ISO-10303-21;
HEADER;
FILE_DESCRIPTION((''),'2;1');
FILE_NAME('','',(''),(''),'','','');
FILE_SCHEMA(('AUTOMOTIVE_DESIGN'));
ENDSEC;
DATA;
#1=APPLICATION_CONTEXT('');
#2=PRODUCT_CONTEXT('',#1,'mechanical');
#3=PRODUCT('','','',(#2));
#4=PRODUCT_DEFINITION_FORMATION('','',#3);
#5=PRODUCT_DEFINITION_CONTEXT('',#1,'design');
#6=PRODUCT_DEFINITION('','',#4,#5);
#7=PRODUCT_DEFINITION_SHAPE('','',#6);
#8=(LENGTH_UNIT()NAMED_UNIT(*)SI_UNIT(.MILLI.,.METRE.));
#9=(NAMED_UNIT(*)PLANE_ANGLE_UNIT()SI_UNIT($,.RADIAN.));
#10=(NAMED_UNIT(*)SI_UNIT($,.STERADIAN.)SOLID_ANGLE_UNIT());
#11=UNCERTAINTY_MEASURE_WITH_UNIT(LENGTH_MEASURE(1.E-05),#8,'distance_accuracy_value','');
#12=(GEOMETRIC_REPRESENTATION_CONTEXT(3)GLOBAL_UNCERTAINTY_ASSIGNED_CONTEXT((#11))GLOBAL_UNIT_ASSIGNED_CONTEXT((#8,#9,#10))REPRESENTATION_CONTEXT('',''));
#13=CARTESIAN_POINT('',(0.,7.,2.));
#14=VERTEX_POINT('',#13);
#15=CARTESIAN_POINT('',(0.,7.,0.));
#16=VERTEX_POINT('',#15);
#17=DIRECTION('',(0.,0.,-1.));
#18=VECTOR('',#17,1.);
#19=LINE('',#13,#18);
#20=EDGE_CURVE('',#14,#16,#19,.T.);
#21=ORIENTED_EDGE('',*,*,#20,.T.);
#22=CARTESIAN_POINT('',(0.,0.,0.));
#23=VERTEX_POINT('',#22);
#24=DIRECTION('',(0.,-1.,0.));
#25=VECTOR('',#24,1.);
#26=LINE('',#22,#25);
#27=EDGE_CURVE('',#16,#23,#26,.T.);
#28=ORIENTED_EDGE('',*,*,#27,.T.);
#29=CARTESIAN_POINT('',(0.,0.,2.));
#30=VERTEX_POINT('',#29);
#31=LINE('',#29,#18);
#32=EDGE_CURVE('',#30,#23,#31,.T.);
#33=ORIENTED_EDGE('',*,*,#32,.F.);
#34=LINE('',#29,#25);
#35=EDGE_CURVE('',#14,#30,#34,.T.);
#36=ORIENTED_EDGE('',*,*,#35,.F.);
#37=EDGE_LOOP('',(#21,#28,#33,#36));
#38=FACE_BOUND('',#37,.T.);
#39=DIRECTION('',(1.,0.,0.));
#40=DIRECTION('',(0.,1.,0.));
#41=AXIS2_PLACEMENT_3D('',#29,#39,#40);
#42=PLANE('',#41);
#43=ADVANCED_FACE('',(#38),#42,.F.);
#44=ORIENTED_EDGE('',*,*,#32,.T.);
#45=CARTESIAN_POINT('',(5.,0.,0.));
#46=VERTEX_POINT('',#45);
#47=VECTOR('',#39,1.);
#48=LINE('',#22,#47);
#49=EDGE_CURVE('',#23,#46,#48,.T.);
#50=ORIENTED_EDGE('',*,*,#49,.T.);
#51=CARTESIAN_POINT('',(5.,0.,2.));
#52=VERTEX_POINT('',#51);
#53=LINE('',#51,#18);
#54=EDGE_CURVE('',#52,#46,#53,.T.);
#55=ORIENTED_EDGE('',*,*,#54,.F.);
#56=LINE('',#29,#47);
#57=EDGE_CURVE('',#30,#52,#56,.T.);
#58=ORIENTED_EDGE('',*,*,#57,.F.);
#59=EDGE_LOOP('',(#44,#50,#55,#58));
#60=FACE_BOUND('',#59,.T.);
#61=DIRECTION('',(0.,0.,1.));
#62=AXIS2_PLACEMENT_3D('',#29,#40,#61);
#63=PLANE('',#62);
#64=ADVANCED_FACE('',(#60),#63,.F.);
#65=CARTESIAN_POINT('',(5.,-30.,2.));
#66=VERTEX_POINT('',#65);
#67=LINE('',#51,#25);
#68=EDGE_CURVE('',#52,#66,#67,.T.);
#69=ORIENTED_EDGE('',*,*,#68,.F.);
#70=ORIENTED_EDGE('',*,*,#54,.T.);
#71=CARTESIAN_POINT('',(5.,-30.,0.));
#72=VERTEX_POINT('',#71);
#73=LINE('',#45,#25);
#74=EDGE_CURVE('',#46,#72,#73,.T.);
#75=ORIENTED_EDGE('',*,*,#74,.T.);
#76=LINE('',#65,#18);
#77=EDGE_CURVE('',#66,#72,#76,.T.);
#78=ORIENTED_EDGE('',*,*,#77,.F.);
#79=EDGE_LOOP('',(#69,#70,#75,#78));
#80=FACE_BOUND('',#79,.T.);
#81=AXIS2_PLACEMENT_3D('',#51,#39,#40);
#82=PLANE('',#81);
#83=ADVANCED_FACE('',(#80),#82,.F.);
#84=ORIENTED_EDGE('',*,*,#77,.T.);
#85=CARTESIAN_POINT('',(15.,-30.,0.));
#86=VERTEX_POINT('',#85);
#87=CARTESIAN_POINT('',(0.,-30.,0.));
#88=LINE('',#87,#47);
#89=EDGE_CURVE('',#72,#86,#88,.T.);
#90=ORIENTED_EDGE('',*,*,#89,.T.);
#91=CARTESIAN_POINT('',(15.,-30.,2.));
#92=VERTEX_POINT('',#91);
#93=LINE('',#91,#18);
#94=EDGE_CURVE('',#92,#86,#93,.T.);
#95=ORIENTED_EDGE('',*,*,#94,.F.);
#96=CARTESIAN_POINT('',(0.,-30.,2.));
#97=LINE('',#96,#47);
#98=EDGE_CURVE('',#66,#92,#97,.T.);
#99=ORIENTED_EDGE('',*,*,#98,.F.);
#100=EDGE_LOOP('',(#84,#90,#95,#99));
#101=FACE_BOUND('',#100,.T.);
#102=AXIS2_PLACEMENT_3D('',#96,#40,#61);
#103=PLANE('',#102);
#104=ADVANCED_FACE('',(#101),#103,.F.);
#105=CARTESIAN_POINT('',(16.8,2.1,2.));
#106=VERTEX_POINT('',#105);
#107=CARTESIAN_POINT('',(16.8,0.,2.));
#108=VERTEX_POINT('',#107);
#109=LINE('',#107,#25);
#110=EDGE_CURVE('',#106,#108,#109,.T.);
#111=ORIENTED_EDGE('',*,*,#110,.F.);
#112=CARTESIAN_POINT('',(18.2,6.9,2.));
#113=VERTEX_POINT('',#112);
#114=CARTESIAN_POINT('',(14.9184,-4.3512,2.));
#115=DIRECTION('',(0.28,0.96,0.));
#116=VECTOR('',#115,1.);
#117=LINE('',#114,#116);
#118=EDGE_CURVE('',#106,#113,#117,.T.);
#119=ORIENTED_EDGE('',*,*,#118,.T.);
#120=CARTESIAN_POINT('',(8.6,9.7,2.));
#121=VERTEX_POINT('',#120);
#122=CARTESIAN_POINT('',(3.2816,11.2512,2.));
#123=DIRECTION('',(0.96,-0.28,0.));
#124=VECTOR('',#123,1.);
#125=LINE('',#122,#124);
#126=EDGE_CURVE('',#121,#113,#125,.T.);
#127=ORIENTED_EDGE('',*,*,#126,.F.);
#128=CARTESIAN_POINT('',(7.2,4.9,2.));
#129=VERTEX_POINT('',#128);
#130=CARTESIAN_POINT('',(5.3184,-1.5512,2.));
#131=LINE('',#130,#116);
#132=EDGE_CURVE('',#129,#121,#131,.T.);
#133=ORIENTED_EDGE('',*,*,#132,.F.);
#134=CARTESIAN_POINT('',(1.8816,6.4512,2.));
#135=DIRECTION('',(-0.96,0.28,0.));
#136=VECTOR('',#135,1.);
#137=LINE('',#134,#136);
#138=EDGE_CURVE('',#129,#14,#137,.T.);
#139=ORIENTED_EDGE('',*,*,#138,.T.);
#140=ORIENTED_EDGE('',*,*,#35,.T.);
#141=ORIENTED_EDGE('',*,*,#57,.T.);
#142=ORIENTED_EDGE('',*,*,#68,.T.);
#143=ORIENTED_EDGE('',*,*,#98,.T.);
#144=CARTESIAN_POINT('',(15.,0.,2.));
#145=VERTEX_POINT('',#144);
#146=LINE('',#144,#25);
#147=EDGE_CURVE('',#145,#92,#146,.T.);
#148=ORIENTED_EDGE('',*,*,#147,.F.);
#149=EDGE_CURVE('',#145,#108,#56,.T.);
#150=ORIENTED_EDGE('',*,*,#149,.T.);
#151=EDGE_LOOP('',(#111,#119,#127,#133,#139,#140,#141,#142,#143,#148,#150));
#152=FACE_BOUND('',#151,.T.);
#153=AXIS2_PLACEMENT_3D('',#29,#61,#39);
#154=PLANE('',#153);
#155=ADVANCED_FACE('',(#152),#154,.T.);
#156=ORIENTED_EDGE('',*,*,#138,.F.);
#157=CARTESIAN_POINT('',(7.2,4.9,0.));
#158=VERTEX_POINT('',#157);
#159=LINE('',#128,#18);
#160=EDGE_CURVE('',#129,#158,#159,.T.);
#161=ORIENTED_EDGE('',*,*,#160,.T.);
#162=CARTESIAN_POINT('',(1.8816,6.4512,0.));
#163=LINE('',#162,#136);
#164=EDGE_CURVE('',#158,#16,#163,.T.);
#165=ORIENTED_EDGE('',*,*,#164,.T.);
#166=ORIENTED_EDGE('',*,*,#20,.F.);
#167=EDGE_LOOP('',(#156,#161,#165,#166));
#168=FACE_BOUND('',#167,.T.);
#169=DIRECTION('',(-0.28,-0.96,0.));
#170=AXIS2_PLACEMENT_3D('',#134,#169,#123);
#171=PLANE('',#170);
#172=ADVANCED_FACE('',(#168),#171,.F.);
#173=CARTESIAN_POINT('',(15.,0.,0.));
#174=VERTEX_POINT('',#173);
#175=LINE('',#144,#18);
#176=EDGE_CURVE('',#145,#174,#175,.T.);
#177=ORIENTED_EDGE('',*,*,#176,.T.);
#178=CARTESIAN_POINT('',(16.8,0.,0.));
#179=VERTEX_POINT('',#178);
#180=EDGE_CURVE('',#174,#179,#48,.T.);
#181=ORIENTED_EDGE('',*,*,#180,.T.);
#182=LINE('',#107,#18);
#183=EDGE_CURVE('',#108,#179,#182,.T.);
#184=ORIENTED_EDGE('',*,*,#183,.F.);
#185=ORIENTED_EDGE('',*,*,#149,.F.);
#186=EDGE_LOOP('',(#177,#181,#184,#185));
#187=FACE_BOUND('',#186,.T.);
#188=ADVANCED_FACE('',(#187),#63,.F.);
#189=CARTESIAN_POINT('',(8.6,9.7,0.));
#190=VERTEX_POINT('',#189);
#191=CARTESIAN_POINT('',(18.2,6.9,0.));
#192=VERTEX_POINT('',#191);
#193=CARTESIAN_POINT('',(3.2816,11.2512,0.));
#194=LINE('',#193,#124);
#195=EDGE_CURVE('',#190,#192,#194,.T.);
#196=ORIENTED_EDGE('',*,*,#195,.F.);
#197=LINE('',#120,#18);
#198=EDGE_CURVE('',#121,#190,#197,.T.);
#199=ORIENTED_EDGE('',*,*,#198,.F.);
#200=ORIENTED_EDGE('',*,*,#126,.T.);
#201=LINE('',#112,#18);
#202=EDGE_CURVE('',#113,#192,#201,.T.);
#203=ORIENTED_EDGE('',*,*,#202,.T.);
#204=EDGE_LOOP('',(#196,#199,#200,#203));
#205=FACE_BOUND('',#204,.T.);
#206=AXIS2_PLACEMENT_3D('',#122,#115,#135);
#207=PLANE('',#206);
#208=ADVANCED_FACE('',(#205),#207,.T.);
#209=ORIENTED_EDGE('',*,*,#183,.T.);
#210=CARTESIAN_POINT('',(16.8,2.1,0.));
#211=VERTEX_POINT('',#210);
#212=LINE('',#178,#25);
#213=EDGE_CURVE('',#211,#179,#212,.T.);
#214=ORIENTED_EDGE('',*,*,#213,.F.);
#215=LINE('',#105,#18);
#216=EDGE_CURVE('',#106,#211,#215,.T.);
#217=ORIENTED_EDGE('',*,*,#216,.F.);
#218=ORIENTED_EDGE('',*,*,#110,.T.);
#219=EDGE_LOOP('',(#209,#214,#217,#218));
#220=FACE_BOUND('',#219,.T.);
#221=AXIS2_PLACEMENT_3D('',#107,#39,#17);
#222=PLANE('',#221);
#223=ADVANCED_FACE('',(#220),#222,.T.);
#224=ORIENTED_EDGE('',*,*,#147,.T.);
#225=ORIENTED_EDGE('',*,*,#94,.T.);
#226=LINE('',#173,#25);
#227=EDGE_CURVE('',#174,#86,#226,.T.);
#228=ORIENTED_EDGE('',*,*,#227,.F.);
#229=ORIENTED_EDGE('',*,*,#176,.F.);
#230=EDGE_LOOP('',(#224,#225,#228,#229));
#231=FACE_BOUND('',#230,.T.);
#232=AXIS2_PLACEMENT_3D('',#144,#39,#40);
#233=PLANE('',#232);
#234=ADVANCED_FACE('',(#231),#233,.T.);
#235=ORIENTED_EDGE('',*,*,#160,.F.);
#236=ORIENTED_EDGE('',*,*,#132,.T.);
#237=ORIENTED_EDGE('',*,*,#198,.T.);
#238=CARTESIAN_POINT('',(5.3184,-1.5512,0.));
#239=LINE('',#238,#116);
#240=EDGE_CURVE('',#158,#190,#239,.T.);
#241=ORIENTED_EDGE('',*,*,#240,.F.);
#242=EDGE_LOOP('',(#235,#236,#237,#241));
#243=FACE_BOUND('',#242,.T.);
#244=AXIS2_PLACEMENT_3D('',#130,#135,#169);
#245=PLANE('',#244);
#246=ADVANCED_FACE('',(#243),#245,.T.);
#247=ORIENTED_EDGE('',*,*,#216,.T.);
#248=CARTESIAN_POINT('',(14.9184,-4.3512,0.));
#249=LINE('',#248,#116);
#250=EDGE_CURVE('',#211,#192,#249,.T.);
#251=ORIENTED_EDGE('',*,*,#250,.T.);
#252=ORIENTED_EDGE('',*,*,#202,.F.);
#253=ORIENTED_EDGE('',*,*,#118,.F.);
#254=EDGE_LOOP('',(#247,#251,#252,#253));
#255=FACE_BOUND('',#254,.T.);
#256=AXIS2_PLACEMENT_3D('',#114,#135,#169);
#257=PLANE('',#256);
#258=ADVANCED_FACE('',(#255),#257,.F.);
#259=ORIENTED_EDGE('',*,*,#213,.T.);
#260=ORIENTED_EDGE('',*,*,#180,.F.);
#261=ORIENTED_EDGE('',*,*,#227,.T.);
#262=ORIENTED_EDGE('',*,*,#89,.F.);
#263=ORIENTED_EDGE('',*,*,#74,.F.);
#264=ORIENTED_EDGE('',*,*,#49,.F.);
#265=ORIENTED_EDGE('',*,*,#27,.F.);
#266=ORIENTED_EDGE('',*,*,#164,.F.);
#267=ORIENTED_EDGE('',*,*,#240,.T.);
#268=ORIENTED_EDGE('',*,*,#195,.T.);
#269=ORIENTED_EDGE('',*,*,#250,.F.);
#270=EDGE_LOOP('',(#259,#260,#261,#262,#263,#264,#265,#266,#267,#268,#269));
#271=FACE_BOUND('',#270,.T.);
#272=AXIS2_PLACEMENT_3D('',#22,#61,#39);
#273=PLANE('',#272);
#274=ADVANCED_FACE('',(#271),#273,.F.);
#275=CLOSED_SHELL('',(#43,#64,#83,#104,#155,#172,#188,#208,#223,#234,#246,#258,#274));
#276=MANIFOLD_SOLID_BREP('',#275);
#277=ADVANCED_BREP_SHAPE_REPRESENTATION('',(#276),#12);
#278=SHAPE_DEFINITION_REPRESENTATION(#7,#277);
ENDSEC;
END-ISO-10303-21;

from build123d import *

# Parameters (mm, degrees)
SKETCH2_W           = 10
SKETCH2_H           = 30
BOSS_EXTRUDE1_DEPTH = 2


with BuildPart() as part:
    # Sketch2 → Boss-Extrude1 (new body)
    with BuildSketch(Plane.XY):
        with Locations((10, -15)):
            Rectangle(SKETCH2_W, SKETCH2_H)
        Polygon((0, 7), (0, 0), (5, 0), (15, 0), (16.8, 0), (16.8, 2.1), (7.2, 4.9), align=None)
        Polygon((8.6, 9.7), (7.2, 4.9), (16.8, 2.1), (18.2, 6.9), align=None)
    extrude(amount=BOSS_EXTRUDE1_DEPTH)


solid = part.part
